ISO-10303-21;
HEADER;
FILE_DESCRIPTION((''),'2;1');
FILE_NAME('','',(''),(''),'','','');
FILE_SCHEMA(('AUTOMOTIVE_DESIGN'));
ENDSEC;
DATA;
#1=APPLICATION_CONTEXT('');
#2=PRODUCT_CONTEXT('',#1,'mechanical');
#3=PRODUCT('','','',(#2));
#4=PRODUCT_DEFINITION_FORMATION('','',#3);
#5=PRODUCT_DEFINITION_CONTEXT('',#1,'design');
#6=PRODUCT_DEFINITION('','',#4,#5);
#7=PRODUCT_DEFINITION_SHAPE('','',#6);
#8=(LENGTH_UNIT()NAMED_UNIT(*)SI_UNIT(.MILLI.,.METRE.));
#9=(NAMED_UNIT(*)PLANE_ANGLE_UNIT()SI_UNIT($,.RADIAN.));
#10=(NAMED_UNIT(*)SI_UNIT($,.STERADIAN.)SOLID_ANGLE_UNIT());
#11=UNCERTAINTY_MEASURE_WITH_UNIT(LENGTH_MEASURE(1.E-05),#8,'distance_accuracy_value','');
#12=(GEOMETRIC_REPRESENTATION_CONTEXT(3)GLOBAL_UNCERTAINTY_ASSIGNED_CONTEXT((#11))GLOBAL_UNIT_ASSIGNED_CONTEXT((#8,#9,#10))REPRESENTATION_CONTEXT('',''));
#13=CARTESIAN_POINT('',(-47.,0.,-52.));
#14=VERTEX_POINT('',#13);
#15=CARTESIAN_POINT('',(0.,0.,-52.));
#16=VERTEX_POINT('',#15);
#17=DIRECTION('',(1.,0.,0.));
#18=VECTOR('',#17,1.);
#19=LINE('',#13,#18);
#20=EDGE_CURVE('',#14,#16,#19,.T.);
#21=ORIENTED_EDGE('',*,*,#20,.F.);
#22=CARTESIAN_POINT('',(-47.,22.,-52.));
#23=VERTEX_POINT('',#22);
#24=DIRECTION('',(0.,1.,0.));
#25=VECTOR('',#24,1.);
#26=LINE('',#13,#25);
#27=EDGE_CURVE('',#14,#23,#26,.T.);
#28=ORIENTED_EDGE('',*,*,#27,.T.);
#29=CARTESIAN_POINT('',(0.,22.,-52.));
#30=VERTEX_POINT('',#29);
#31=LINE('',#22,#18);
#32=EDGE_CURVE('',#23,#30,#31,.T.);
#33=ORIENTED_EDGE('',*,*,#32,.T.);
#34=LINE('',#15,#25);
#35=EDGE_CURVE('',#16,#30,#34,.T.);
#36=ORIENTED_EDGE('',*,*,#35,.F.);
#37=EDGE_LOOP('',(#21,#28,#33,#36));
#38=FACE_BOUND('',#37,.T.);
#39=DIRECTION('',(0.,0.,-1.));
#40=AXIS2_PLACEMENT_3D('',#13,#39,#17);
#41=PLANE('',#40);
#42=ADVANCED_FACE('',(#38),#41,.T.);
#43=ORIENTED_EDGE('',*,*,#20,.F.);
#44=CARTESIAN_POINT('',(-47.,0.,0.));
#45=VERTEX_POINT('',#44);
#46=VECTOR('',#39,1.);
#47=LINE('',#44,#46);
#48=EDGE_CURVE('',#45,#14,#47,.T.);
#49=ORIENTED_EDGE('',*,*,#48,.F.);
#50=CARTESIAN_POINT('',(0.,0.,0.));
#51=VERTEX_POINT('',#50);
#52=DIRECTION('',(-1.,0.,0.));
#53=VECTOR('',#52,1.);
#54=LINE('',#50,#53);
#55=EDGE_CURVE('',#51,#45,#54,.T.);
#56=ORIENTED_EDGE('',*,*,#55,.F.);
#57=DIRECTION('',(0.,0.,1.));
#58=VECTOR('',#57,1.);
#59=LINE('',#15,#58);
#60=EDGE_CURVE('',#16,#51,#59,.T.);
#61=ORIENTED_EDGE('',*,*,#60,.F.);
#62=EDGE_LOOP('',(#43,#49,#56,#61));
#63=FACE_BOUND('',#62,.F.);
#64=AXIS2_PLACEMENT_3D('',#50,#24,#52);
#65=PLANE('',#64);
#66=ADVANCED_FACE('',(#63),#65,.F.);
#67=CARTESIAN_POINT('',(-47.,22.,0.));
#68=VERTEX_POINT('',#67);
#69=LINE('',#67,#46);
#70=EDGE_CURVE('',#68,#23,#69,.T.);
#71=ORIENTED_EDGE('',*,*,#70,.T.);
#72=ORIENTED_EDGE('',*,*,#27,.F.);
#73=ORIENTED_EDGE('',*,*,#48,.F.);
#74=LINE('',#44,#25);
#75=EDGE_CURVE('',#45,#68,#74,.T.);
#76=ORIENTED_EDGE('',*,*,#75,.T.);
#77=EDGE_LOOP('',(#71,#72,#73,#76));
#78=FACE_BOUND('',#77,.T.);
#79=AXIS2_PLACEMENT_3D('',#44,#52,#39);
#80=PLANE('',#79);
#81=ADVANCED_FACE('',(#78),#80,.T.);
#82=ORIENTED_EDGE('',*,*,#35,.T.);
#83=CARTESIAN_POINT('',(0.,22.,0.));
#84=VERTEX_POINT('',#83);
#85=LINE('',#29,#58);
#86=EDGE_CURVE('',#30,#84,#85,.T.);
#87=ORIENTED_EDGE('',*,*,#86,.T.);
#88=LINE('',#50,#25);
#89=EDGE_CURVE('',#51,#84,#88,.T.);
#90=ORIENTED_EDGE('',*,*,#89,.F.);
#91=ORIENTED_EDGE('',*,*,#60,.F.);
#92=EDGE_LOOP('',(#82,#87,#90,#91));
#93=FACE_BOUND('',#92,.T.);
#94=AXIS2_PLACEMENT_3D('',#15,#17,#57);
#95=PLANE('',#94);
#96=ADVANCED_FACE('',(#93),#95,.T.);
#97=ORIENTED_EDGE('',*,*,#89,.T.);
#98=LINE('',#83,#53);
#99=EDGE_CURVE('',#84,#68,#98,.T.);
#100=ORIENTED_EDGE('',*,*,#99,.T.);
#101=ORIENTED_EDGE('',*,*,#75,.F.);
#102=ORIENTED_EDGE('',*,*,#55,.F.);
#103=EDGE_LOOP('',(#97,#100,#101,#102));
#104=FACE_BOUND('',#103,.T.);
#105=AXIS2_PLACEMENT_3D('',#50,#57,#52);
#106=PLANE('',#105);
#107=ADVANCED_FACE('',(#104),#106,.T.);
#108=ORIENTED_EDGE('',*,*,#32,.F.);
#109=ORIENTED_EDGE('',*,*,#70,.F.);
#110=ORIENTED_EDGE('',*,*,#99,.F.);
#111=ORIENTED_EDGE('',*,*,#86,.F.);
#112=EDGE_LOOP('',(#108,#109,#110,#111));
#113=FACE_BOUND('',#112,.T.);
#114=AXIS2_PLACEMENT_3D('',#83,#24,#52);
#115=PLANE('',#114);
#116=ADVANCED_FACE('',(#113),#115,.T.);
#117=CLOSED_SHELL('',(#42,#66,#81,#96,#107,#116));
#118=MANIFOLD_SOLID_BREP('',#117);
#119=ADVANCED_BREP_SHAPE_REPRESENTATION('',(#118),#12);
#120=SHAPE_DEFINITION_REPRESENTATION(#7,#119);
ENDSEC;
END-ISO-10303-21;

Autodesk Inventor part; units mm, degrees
ref_plane "YZ Plane" through (0, 0, 0) normal (1, 0, 0) x (0, 1, 0)
ref_plane "XZ Plane" through (0, 0, 0) normal (0, 1, 0) x (-1, 0, 0)
ref_plane "XY Plane" through (0, 0, 0) normal (0, 0, 1) x (1, 0, 0)
sketch "Esquisse1" plane through (0, 0, 0) normal (0, 1, 0) x (-1, 0, 0)
  line L0 (0, 0) -> (47, 0)
  line L1 (47, 0) -> (47, -52)
  line L2 (47, -52) -> (0, -52)
  line L3 (0, -52) -> (0, 0)
  dimension "d0" = 47
  dimension "d1" = 52
extrude "Extrusion1" add sketch "Esquisse1" along normal blind 22
properties part number "Régulateur DRF0205"
